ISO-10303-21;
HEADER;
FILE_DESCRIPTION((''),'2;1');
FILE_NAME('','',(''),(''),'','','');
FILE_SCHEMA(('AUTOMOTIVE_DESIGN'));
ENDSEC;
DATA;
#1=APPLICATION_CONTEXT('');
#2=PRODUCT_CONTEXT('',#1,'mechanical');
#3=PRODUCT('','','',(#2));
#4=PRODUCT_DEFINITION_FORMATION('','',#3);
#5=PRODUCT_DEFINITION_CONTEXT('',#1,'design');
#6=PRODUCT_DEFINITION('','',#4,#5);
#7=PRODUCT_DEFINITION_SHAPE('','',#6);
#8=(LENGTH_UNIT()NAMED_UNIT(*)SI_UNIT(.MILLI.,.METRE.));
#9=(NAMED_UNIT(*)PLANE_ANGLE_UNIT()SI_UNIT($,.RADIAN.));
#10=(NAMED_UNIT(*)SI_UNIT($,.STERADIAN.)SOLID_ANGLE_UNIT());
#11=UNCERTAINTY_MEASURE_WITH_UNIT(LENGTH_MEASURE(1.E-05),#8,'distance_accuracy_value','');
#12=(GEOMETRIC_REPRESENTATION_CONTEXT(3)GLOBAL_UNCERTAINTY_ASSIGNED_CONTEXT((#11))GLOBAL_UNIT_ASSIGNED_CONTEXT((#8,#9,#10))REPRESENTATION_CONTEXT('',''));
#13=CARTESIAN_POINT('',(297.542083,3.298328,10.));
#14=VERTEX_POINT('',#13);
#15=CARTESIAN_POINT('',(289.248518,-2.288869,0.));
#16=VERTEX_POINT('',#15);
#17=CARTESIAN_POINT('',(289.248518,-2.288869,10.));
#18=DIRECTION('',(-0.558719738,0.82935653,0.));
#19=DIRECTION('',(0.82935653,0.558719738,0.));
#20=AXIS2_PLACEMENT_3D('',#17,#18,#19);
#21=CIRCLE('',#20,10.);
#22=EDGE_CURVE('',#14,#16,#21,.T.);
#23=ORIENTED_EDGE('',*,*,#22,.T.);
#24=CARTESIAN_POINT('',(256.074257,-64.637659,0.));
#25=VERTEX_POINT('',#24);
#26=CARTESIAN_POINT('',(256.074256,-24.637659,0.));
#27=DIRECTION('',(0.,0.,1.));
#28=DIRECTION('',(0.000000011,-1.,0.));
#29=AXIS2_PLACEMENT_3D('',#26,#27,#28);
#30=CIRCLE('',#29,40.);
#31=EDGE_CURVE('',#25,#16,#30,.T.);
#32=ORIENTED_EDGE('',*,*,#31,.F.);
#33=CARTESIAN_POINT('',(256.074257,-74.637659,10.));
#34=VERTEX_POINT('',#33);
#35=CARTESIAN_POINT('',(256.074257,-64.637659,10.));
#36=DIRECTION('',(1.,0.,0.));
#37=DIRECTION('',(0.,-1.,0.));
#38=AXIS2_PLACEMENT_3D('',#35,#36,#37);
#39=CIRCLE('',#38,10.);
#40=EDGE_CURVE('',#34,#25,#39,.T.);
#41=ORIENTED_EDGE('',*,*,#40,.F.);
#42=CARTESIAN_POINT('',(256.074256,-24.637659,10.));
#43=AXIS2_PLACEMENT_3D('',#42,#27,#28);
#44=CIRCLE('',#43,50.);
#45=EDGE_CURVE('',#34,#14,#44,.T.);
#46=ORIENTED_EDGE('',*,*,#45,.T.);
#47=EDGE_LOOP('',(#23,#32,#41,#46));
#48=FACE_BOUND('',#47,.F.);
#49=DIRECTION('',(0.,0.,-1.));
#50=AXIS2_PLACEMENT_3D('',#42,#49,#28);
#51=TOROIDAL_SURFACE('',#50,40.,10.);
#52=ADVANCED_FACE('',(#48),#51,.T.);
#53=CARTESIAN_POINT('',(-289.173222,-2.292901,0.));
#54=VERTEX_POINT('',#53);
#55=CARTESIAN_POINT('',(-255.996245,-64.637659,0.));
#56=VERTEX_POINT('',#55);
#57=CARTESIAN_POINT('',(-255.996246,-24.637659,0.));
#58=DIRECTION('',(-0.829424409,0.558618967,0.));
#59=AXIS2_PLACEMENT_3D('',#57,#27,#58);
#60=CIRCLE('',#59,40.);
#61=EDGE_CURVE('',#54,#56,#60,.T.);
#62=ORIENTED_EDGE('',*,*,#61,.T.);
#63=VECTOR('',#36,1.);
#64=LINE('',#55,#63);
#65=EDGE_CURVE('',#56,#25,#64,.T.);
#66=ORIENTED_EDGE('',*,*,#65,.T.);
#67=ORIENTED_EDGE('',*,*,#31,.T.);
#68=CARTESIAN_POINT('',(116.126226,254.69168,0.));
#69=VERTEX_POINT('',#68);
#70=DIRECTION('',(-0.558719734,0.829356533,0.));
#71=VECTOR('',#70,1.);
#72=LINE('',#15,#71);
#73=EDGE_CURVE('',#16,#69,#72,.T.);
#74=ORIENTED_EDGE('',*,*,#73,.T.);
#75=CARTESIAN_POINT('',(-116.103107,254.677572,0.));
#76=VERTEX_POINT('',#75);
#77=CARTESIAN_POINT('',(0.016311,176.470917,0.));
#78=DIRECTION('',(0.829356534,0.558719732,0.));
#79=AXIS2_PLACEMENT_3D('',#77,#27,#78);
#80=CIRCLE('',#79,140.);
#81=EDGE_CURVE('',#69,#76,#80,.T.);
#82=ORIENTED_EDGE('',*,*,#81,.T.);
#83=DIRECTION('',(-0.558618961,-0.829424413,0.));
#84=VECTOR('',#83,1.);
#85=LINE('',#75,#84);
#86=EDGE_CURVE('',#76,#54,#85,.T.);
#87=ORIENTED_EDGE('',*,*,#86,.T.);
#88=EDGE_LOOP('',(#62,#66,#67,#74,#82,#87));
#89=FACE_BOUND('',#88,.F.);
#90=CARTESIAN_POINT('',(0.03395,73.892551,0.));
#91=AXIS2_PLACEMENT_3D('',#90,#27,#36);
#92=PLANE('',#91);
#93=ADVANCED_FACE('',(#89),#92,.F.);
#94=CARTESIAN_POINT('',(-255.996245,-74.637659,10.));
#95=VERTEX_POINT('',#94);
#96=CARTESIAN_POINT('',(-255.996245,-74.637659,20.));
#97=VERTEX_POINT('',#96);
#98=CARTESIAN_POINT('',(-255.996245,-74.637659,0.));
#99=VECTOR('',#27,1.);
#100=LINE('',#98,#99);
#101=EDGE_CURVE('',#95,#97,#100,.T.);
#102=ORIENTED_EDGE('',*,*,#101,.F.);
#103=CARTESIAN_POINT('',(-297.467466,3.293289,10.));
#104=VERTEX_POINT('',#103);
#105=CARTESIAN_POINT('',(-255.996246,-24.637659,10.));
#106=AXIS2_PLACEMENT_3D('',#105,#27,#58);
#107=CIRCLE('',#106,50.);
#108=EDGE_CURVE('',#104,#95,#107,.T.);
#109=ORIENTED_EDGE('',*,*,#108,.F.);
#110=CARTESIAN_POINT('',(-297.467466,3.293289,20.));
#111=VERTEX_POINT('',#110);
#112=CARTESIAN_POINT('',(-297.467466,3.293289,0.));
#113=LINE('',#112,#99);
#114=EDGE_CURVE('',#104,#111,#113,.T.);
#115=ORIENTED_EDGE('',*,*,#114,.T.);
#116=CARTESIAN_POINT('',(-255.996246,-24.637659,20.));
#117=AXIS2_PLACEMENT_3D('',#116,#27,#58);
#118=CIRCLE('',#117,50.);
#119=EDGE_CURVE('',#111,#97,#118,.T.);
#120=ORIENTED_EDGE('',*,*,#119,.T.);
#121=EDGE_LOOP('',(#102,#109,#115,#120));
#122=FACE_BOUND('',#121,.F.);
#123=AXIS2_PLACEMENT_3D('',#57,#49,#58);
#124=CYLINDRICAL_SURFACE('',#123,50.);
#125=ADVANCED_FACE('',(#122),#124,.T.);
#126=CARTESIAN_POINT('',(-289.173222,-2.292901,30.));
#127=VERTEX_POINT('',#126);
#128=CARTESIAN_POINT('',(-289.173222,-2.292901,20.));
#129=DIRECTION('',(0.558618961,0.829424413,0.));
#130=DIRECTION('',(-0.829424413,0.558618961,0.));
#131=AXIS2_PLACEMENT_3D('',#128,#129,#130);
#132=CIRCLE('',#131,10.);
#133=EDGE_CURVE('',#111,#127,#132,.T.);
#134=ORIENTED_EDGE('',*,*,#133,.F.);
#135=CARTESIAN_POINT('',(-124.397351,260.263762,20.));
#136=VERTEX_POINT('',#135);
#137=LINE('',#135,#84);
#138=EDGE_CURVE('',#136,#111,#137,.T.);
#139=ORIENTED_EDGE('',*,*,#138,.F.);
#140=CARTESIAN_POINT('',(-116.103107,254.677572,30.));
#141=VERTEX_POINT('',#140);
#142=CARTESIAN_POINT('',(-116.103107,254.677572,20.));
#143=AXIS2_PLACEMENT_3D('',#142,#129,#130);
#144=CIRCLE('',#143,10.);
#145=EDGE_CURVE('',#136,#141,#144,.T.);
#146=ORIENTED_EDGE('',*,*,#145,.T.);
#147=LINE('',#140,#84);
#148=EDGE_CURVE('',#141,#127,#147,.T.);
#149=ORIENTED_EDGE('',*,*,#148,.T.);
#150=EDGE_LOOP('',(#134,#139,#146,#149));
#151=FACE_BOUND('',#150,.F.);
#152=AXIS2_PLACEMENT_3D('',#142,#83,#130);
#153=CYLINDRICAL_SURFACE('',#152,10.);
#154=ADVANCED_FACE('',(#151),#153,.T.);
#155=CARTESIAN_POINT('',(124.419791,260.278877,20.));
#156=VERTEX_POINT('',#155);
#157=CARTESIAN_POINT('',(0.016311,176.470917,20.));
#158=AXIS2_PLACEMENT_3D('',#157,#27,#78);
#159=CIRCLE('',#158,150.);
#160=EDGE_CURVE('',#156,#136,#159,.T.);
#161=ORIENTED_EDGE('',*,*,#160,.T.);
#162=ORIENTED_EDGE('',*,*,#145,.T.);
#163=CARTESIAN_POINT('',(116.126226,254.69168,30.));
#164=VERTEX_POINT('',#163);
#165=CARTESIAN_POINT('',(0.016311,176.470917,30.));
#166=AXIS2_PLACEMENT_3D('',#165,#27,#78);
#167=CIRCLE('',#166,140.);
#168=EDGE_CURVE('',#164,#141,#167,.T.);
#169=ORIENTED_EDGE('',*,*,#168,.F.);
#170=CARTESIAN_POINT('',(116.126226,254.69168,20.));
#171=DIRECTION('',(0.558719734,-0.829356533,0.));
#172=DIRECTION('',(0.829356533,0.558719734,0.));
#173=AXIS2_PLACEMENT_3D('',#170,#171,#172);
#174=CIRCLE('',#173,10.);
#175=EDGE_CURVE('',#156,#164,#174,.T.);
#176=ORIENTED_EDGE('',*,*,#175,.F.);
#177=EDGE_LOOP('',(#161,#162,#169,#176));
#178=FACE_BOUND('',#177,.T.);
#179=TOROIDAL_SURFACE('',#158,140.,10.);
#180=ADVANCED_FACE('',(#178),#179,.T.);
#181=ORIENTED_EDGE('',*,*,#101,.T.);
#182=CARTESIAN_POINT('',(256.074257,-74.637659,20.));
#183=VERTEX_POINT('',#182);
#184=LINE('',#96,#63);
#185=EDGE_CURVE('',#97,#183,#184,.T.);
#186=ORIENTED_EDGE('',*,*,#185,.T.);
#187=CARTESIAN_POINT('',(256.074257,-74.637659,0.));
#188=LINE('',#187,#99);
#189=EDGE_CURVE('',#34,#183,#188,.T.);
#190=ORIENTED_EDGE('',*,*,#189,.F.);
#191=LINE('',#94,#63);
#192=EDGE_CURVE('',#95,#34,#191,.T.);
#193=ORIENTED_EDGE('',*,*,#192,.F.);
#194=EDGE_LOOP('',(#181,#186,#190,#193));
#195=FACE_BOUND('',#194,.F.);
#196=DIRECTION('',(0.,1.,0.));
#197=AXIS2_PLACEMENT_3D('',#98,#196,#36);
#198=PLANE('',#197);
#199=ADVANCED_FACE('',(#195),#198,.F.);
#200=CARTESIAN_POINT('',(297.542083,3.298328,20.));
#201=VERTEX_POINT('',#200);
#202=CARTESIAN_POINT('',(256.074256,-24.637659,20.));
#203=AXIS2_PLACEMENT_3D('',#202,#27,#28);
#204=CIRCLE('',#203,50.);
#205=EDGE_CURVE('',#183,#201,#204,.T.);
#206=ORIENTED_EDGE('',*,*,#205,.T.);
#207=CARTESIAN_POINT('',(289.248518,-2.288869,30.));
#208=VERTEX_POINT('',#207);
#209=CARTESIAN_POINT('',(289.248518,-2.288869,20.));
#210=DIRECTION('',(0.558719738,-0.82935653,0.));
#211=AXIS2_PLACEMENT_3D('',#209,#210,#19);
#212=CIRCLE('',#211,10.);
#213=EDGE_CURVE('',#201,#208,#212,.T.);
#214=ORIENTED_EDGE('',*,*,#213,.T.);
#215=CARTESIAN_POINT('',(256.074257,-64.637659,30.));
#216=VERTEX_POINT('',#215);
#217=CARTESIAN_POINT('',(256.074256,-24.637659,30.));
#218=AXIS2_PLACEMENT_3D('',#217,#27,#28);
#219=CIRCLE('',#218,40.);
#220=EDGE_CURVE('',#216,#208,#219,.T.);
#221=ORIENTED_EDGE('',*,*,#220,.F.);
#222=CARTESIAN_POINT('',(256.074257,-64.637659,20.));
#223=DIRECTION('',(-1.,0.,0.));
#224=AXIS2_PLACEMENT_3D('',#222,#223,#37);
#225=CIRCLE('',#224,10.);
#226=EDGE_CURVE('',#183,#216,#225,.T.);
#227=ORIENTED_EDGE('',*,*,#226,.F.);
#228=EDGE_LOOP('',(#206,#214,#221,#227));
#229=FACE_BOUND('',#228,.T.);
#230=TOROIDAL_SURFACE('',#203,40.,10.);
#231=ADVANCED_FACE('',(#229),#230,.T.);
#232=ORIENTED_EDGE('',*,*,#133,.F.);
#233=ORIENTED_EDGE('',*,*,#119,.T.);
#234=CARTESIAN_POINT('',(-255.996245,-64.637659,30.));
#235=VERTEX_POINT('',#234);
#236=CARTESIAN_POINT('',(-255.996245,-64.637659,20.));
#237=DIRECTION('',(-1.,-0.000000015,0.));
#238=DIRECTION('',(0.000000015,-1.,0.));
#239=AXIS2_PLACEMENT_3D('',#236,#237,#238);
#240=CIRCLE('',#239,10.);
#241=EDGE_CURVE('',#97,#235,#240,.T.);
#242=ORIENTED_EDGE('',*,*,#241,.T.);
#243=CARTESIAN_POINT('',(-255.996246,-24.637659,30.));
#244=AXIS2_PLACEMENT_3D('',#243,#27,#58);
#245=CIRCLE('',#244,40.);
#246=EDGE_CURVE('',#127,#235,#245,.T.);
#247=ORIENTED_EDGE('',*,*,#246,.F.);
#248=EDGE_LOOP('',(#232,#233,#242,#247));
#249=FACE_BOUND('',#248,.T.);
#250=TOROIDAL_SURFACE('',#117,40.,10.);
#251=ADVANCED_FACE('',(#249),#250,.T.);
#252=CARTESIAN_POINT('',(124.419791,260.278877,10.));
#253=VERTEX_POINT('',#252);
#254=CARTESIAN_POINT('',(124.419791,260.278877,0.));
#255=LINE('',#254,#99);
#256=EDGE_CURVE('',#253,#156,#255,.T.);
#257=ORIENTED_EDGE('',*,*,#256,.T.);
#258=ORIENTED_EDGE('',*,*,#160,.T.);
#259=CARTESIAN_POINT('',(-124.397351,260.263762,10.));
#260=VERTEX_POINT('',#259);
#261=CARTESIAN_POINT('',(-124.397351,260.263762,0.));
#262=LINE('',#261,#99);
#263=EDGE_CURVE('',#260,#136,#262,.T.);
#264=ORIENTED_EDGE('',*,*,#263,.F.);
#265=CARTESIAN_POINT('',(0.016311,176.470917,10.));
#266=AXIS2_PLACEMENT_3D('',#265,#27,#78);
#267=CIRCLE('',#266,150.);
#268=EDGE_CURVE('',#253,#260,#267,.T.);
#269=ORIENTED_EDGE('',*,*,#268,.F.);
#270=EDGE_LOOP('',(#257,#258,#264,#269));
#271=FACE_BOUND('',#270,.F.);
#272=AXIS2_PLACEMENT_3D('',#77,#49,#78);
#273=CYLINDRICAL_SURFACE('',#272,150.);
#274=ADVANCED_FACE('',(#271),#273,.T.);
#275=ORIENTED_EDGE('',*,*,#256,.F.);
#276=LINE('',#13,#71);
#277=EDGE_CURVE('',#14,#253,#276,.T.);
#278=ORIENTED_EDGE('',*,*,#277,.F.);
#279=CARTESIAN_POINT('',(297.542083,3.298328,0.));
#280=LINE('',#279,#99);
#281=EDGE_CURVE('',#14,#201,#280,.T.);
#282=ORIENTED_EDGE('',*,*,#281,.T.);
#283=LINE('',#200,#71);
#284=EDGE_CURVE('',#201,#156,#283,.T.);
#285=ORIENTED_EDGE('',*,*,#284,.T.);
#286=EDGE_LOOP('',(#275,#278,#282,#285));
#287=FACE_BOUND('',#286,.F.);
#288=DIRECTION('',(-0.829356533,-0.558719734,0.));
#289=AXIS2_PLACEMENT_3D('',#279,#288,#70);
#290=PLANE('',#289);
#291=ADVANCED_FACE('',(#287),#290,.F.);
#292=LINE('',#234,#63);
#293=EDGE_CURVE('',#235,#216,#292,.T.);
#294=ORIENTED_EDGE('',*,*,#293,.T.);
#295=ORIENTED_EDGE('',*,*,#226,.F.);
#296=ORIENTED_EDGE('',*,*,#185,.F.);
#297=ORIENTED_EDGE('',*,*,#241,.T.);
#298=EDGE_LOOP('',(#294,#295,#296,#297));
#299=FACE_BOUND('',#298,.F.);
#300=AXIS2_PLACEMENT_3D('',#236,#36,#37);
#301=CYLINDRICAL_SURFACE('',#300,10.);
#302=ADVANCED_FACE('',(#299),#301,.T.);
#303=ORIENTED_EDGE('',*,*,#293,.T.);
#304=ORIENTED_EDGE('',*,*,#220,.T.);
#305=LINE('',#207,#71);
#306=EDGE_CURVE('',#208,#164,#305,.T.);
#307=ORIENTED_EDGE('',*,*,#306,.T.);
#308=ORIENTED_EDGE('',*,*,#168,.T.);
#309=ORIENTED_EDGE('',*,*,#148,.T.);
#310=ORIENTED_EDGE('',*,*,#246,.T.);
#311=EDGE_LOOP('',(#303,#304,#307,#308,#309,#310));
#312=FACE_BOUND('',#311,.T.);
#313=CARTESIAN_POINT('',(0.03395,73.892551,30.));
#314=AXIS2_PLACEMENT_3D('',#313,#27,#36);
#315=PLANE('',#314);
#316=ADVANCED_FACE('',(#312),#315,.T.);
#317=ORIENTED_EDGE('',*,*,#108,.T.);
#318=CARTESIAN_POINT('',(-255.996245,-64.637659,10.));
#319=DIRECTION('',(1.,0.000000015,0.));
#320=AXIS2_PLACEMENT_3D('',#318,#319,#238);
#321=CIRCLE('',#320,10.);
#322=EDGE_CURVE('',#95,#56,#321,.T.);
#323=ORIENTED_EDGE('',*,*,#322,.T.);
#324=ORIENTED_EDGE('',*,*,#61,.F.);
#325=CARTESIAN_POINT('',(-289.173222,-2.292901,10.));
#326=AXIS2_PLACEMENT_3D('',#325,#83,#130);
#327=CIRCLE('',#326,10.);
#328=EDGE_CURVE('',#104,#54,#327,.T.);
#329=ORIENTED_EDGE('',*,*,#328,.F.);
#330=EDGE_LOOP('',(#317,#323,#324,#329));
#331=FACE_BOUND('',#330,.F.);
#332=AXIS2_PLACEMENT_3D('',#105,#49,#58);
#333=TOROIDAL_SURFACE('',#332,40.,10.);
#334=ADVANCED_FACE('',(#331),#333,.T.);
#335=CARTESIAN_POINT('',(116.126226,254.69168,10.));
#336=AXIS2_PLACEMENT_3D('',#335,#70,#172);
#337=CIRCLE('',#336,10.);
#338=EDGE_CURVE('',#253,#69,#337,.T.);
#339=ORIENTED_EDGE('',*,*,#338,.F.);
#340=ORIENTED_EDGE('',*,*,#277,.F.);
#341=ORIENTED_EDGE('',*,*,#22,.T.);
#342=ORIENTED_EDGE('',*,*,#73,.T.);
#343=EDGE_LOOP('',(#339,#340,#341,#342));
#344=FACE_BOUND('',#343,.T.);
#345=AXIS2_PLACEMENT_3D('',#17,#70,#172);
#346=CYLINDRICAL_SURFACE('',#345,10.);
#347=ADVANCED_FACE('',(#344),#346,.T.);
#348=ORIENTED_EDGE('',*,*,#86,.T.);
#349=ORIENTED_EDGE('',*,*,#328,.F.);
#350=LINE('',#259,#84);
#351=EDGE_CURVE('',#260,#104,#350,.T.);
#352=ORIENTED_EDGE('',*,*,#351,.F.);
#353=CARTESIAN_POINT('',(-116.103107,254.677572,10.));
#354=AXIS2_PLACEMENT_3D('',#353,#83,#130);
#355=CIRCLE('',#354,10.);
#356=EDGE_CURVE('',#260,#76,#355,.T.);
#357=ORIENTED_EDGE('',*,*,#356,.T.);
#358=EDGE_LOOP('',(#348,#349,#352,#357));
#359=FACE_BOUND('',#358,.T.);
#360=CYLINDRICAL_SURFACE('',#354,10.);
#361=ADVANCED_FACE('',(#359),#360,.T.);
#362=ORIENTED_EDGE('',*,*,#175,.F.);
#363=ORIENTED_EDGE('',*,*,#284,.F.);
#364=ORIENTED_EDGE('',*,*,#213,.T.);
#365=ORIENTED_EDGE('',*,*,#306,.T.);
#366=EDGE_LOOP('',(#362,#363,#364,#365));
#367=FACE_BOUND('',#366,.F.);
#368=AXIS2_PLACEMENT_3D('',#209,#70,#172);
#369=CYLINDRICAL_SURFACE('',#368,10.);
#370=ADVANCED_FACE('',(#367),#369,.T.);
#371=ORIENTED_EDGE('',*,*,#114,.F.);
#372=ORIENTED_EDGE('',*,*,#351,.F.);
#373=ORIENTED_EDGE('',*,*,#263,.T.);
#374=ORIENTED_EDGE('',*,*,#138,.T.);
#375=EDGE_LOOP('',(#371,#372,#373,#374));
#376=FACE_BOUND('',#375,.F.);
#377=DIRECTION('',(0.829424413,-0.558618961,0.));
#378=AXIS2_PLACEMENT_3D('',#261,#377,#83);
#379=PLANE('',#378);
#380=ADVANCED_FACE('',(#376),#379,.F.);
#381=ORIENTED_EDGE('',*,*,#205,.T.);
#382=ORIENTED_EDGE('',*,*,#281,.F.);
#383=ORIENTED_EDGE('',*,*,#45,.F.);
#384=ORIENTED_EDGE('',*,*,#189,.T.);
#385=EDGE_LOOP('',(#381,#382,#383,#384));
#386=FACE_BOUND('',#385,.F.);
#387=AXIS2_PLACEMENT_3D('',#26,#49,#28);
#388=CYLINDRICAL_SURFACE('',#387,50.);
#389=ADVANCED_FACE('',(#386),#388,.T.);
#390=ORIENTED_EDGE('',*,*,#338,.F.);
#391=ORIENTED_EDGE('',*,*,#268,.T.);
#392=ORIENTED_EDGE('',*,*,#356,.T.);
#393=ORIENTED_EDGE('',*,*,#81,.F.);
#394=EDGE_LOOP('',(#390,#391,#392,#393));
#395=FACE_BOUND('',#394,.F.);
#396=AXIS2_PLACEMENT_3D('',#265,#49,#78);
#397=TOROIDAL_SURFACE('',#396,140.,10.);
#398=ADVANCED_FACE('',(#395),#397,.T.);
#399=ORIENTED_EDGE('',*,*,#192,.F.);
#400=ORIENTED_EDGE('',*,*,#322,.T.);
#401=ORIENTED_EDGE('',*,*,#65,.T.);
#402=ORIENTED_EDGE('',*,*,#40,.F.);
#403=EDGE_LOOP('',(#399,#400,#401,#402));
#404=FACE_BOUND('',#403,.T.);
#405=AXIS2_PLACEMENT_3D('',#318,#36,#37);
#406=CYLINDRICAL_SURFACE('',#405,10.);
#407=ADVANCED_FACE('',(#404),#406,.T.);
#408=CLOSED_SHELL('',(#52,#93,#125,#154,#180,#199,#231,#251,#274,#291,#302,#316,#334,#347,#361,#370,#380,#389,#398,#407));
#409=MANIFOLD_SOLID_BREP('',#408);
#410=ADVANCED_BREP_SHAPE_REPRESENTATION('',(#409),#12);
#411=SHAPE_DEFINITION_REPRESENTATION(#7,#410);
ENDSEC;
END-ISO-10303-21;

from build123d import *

# Parameters (mm, degrees)
F1_DEPTH = 30
F2_R     = 10


with BuildPart() as f1:
    # F0 (on Top) → F1 (new body)
    with BuildSketch(Plane.XY):
        with BuildLine():
            ThreePointArc((-297.467466, 3.293289), (-300.135499, -48.126514), (-255.996245, -74.637659))
            Line((-255.996245, -74.637659), (256.074257, -74.637659))
            ThreePointArc((256.074257, -74.637659), (300.214937, -48.123832), (297.542083, 3.298328))
            Line((297.542083, 3.298328), (124.419791, 260.278877))
            ThreePointArc((124.419791, 260.278877), (0.007199, 326.470917), (-124.397351, 260.263762))
            Line((-124.397351, 260.263762), (-297.467466, 3.293289))
        make_face()
    extrude(amount=F1_DEPTH)

    # F2
    f2_edges = [f1.edges().sort_by_distance(p)[0] for p in [
        (-210.932408, 131.778525, 30),
        (-210.932408, 131.778525, 0),
    ]]
    fillet(f2_edges, radius=F2_R)


solid = f1.part
